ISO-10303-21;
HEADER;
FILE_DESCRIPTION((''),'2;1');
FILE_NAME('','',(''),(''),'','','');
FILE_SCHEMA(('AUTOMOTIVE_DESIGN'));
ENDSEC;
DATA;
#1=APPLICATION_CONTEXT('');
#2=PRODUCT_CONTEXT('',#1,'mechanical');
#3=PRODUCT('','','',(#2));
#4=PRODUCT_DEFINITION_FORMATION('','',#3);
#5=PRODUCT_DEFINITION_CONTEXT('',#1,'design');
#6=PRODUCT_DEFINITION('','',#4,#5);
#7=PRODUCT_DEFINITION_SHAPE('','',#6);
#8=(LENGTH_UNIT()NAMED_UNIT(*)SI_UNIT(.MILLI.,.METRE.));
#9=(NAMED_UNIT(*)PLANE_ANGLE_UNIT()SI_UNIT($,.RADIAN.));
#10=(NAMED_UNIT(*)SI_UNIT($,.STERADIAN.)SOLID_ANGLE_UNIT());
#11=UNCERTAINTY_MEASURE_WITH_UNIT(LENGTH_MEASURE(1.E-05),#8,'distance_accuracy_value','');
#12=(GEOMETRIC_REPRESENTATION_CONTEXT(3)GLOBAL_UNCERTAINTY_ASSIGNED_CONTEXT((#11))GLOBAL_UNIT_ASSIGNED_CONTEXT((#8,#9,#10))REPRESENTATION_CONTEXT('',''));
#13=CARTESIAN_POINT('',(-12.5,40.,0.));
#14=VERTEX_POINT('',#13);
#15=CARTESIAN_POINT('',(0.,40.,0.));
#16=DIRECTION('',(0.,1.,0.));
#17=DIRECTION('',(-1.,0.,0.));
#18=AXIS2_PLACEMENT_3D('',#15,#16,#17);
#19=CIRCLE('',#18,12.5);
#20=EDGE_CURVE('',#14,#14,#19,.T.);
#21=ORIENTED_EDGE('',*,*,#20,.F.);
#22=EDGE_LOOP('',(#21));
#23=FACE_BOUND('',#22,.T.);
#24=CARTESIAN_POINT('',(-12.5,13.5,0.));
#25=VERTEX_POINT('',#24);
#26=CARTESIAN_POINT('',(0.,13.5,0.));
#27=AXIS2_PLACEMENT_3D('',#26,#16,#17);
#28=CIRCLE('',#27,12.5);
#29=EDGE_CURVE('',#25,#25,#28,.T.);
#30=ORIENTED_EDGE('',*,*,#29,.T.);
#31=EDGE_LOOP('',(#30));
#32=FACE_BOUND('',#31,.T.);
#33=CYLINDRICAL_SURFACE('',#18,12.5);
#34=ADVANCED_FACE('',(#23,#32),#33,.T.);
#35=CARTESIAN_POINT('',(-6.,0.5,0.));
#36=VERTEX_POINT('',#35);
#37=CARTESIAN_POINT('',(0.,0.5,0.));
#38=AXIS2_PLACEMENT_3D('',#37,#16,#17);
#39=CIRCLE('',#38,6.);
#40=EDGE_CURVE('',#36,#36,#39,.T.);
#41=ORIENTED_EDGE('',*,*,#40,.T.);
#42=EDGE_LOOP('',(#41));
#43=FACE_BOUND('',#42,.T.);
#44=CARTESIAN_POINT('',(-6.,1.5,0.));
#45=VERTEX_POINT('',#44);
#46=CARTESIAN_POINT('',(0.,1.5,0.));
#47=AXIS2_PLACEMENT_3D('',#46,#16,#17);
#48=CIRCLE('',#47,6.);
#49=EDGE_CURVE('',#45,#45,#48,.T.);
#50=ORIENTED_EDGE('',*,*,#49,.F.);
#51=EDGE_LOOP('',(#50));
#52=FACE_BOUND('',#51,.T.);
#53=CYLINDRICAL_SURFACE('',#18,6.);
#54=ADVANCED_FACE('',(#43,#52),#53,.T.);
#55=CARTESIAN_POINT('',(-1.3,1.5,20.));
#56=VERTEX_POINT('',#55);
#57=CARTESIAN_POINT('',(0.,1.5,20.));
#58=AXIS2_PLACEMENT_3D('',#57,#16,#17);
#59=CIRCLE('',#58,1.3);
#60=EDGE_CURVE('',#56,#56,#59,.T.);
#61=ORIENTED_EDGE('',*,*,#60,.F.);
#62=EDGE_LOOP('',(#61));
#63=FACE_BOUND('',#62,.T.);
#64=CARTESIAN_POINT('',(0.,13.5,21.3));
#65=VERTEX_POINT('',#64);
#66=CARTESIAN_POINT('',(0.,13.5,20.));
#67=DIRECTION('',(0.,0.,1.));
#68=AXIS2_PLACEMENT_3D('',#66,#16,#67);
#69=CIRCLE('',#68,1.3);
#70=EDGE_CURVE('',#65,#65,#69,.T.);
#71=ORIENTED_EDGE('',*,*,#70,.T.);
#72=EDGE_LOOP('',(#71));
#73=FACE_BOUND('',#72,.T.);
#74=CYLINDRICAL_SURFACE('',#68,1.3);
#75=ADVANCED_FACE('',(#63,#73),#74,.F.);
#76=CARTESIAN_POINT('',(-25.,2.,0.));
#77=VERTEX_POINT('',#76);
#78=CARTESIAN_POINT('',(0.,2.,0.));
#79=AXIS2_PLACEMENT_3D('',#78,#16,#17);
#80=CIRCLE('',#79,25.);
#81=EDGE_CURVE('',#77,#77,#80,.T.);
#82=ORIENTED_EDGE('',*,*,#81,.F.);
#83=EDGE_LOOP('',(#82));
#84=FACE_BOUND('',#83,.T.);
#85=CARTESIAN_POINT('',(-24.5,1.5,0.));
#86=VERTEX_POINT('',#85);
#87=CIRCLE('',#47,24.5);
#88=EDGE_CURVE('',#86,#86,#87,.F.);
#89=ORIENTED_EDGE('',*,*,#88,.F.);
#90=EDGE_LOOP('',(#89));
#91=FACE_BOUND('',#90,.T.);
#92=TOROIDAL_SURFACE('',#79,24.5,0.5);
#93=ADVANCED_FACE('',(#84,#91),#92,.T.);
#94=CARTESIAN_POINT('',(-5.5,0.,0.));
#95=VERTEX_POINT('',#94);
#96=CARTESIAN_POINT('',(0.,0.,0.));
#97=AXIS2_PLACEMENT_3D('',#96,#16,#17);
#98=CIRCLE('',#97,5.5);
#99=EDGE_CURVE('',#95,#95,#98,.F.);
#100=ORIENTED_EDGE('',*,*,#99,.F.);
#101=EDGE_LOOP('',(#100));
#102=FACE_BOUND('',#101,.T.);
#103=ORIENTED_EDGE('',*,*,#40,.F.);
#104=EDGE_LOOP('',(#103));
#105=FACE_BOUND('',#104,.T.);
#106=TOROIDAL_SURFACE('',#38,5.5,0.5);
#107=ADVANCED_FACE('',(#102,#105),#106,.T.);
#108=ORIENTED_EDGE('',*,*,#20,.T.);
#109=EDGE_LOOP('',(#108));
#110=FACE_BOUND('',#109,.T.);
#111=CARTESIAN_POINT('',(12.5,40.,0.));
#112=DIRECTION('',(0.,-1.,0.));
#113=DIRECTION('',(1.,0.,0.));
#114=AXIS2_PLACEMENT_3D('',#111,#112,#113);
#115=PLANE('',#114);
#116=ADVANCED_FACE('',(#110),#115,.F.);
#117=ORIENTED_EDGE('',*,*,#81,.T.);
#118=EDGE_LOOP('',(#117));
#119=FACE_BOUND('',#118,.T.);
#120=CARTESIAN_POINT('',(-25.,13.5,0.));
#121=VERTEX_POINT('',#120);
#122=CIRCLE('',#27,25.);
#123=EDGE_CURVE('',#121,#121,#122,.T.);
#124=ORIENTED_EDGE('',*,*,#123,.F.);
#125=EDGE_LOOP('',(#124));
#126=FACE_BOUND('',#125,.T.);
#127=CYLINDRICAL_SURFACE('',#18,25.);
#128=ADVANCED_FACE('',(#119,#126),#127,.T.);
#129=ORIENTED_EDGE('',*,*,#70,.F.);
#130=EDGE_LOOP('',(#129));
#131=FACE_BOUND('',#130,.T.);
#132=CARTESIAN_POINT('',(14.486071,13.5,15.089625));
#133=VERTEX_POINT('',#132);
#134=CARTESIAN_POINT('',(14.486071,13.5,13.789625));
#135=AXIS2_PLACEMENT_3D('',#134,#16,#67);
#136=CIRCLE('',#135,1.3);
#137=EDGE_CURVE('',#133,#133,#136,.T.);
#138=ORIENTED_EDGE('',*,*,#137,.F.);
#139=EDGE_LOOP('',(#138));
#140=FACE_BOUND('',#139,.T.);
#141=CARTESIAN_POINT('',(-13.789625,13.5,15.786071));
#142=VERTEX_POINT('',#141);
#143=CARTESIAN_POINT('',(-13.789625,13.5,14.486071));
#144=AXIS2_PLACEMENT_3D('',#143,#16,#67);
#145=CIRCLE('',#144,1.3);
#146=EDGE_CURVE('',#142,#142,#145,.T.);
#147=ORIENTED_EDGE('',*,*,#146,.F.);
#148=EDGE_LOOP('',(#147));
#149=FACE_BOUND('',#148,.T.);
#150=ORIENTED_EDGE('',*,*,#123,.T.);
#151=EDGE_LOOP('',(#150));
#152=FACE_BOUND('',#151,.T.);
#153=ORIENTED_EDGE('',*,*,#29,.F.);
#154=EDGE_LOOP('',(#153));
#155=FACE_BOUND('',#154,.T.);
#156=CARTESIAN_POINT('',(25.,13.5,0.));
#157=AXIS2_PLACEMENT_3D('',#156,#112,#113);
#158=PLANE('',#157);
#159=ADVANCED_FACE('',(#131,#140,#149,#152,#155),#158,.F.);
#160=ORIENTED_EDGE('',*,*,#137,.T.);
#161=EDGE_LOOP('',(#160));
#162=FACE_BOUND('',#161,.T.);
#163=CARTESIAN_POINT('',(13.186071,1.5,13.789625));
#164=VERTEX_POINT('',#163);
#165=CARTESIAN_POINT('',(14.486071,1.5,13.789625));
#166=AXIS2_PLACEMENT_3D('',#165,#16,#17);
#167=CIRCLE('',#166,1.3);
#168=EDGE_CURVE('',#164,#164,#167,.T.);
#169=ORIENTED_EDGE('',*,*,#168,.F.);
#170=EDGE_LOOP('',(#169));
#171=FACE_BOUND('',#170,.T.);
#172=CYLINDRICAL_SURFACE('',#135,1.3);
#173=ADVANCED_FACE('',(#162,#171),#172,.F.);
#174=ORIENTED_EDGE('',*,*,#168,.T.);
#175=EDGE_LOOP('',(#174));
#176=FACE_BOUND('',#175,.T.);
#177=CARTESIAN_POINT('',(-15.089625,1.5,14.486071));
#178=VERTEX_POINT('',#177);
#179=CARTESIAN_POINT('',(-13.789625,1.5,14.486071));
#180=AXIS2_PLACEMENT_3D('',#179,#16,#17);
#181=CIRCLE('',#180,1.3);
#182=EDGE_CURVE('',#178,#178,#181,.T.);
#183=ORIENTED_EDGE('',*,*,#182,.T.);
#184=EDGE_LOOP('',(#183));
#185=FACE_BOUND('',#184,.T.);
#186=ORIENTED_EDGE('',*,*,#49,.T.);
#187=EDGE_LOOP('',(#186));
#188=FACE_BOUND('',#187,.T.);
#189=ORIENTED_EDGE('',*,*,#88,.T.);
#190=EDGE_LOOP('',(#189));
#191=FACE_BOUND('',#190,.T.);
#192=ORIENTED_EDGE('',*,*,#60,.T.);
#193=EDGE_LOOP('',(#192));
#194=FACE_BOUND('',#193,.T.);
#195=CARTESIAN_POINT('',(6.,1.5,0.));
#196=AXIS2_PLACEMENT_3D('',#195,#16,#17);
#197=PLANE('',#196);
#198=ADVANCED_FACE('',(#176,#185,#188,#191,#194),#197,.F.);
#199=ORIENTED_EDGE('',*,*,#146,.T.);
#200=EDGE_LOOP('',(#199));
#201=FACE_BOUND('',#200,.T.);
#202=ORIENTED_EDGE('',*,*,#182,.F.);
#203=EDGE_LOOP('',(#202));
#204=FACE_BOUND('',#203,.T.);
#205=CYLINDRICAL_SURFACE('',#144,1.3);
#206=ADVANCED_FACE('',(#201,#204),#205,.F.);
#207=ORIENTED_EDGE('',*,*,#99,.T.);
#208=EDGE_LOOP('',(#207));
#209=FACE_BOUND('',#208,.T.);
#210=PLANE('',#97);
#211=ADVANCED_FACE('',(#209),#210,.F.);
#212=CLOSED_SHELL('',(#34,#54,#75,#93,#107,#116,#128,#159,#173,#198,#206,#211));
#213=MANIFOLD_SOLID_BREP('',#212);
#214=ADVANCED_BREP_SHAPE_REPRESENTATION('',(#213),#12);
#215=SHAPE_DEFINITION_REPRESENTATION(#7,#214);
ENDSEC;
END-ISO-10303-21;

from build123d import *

# Parameters (mm, degrees)
FILLET2_R             = 0.5
F_1_0MM_DOWEL_HOLE1_D = 2.6


with BuildPart() as part:
    # Sketch1 → Revolve1 (revolve)
    with BuildSketch(Plane.XY, mode=Mode.PRIVATE) as revolve1_sk:
        Polygon((0, 0), (6, 0), (6, 1.5), (25, 1.5), (25, 13.5), (12.5, 13.5), (12.5, 40), (0, 40), align=None)
    revolve(revolve1_sk.sketch.rotate(Axis((0, 40, 0), (0, -1, 0)), 180), axis=Axis((0, 40, 0), (0, -1, 0)))

    # Fillet2
    fillet2_edges = [part.edges().sort_by_distance(p)[0] for p in [
        (25, 1.5, 0),
        (6, 0, 0),
    ]]
    fillet(fillet2_edges, radius=FILLET2_R)

    # Ø1.0mm Dowel Hole1 (through all)
    with Locations(Plane(origin=(0, 13.5, 0), x_dir=(1, 0, 0), z_dir=(0, 1, 0))):
        with Locations((14.486070668, -13.789624963), (0, -20), (-13.789624963, -14.486070668)):
            Hole(F_1_0MM_DOWEL_HOLE1_D / 2)


solid = part.part
